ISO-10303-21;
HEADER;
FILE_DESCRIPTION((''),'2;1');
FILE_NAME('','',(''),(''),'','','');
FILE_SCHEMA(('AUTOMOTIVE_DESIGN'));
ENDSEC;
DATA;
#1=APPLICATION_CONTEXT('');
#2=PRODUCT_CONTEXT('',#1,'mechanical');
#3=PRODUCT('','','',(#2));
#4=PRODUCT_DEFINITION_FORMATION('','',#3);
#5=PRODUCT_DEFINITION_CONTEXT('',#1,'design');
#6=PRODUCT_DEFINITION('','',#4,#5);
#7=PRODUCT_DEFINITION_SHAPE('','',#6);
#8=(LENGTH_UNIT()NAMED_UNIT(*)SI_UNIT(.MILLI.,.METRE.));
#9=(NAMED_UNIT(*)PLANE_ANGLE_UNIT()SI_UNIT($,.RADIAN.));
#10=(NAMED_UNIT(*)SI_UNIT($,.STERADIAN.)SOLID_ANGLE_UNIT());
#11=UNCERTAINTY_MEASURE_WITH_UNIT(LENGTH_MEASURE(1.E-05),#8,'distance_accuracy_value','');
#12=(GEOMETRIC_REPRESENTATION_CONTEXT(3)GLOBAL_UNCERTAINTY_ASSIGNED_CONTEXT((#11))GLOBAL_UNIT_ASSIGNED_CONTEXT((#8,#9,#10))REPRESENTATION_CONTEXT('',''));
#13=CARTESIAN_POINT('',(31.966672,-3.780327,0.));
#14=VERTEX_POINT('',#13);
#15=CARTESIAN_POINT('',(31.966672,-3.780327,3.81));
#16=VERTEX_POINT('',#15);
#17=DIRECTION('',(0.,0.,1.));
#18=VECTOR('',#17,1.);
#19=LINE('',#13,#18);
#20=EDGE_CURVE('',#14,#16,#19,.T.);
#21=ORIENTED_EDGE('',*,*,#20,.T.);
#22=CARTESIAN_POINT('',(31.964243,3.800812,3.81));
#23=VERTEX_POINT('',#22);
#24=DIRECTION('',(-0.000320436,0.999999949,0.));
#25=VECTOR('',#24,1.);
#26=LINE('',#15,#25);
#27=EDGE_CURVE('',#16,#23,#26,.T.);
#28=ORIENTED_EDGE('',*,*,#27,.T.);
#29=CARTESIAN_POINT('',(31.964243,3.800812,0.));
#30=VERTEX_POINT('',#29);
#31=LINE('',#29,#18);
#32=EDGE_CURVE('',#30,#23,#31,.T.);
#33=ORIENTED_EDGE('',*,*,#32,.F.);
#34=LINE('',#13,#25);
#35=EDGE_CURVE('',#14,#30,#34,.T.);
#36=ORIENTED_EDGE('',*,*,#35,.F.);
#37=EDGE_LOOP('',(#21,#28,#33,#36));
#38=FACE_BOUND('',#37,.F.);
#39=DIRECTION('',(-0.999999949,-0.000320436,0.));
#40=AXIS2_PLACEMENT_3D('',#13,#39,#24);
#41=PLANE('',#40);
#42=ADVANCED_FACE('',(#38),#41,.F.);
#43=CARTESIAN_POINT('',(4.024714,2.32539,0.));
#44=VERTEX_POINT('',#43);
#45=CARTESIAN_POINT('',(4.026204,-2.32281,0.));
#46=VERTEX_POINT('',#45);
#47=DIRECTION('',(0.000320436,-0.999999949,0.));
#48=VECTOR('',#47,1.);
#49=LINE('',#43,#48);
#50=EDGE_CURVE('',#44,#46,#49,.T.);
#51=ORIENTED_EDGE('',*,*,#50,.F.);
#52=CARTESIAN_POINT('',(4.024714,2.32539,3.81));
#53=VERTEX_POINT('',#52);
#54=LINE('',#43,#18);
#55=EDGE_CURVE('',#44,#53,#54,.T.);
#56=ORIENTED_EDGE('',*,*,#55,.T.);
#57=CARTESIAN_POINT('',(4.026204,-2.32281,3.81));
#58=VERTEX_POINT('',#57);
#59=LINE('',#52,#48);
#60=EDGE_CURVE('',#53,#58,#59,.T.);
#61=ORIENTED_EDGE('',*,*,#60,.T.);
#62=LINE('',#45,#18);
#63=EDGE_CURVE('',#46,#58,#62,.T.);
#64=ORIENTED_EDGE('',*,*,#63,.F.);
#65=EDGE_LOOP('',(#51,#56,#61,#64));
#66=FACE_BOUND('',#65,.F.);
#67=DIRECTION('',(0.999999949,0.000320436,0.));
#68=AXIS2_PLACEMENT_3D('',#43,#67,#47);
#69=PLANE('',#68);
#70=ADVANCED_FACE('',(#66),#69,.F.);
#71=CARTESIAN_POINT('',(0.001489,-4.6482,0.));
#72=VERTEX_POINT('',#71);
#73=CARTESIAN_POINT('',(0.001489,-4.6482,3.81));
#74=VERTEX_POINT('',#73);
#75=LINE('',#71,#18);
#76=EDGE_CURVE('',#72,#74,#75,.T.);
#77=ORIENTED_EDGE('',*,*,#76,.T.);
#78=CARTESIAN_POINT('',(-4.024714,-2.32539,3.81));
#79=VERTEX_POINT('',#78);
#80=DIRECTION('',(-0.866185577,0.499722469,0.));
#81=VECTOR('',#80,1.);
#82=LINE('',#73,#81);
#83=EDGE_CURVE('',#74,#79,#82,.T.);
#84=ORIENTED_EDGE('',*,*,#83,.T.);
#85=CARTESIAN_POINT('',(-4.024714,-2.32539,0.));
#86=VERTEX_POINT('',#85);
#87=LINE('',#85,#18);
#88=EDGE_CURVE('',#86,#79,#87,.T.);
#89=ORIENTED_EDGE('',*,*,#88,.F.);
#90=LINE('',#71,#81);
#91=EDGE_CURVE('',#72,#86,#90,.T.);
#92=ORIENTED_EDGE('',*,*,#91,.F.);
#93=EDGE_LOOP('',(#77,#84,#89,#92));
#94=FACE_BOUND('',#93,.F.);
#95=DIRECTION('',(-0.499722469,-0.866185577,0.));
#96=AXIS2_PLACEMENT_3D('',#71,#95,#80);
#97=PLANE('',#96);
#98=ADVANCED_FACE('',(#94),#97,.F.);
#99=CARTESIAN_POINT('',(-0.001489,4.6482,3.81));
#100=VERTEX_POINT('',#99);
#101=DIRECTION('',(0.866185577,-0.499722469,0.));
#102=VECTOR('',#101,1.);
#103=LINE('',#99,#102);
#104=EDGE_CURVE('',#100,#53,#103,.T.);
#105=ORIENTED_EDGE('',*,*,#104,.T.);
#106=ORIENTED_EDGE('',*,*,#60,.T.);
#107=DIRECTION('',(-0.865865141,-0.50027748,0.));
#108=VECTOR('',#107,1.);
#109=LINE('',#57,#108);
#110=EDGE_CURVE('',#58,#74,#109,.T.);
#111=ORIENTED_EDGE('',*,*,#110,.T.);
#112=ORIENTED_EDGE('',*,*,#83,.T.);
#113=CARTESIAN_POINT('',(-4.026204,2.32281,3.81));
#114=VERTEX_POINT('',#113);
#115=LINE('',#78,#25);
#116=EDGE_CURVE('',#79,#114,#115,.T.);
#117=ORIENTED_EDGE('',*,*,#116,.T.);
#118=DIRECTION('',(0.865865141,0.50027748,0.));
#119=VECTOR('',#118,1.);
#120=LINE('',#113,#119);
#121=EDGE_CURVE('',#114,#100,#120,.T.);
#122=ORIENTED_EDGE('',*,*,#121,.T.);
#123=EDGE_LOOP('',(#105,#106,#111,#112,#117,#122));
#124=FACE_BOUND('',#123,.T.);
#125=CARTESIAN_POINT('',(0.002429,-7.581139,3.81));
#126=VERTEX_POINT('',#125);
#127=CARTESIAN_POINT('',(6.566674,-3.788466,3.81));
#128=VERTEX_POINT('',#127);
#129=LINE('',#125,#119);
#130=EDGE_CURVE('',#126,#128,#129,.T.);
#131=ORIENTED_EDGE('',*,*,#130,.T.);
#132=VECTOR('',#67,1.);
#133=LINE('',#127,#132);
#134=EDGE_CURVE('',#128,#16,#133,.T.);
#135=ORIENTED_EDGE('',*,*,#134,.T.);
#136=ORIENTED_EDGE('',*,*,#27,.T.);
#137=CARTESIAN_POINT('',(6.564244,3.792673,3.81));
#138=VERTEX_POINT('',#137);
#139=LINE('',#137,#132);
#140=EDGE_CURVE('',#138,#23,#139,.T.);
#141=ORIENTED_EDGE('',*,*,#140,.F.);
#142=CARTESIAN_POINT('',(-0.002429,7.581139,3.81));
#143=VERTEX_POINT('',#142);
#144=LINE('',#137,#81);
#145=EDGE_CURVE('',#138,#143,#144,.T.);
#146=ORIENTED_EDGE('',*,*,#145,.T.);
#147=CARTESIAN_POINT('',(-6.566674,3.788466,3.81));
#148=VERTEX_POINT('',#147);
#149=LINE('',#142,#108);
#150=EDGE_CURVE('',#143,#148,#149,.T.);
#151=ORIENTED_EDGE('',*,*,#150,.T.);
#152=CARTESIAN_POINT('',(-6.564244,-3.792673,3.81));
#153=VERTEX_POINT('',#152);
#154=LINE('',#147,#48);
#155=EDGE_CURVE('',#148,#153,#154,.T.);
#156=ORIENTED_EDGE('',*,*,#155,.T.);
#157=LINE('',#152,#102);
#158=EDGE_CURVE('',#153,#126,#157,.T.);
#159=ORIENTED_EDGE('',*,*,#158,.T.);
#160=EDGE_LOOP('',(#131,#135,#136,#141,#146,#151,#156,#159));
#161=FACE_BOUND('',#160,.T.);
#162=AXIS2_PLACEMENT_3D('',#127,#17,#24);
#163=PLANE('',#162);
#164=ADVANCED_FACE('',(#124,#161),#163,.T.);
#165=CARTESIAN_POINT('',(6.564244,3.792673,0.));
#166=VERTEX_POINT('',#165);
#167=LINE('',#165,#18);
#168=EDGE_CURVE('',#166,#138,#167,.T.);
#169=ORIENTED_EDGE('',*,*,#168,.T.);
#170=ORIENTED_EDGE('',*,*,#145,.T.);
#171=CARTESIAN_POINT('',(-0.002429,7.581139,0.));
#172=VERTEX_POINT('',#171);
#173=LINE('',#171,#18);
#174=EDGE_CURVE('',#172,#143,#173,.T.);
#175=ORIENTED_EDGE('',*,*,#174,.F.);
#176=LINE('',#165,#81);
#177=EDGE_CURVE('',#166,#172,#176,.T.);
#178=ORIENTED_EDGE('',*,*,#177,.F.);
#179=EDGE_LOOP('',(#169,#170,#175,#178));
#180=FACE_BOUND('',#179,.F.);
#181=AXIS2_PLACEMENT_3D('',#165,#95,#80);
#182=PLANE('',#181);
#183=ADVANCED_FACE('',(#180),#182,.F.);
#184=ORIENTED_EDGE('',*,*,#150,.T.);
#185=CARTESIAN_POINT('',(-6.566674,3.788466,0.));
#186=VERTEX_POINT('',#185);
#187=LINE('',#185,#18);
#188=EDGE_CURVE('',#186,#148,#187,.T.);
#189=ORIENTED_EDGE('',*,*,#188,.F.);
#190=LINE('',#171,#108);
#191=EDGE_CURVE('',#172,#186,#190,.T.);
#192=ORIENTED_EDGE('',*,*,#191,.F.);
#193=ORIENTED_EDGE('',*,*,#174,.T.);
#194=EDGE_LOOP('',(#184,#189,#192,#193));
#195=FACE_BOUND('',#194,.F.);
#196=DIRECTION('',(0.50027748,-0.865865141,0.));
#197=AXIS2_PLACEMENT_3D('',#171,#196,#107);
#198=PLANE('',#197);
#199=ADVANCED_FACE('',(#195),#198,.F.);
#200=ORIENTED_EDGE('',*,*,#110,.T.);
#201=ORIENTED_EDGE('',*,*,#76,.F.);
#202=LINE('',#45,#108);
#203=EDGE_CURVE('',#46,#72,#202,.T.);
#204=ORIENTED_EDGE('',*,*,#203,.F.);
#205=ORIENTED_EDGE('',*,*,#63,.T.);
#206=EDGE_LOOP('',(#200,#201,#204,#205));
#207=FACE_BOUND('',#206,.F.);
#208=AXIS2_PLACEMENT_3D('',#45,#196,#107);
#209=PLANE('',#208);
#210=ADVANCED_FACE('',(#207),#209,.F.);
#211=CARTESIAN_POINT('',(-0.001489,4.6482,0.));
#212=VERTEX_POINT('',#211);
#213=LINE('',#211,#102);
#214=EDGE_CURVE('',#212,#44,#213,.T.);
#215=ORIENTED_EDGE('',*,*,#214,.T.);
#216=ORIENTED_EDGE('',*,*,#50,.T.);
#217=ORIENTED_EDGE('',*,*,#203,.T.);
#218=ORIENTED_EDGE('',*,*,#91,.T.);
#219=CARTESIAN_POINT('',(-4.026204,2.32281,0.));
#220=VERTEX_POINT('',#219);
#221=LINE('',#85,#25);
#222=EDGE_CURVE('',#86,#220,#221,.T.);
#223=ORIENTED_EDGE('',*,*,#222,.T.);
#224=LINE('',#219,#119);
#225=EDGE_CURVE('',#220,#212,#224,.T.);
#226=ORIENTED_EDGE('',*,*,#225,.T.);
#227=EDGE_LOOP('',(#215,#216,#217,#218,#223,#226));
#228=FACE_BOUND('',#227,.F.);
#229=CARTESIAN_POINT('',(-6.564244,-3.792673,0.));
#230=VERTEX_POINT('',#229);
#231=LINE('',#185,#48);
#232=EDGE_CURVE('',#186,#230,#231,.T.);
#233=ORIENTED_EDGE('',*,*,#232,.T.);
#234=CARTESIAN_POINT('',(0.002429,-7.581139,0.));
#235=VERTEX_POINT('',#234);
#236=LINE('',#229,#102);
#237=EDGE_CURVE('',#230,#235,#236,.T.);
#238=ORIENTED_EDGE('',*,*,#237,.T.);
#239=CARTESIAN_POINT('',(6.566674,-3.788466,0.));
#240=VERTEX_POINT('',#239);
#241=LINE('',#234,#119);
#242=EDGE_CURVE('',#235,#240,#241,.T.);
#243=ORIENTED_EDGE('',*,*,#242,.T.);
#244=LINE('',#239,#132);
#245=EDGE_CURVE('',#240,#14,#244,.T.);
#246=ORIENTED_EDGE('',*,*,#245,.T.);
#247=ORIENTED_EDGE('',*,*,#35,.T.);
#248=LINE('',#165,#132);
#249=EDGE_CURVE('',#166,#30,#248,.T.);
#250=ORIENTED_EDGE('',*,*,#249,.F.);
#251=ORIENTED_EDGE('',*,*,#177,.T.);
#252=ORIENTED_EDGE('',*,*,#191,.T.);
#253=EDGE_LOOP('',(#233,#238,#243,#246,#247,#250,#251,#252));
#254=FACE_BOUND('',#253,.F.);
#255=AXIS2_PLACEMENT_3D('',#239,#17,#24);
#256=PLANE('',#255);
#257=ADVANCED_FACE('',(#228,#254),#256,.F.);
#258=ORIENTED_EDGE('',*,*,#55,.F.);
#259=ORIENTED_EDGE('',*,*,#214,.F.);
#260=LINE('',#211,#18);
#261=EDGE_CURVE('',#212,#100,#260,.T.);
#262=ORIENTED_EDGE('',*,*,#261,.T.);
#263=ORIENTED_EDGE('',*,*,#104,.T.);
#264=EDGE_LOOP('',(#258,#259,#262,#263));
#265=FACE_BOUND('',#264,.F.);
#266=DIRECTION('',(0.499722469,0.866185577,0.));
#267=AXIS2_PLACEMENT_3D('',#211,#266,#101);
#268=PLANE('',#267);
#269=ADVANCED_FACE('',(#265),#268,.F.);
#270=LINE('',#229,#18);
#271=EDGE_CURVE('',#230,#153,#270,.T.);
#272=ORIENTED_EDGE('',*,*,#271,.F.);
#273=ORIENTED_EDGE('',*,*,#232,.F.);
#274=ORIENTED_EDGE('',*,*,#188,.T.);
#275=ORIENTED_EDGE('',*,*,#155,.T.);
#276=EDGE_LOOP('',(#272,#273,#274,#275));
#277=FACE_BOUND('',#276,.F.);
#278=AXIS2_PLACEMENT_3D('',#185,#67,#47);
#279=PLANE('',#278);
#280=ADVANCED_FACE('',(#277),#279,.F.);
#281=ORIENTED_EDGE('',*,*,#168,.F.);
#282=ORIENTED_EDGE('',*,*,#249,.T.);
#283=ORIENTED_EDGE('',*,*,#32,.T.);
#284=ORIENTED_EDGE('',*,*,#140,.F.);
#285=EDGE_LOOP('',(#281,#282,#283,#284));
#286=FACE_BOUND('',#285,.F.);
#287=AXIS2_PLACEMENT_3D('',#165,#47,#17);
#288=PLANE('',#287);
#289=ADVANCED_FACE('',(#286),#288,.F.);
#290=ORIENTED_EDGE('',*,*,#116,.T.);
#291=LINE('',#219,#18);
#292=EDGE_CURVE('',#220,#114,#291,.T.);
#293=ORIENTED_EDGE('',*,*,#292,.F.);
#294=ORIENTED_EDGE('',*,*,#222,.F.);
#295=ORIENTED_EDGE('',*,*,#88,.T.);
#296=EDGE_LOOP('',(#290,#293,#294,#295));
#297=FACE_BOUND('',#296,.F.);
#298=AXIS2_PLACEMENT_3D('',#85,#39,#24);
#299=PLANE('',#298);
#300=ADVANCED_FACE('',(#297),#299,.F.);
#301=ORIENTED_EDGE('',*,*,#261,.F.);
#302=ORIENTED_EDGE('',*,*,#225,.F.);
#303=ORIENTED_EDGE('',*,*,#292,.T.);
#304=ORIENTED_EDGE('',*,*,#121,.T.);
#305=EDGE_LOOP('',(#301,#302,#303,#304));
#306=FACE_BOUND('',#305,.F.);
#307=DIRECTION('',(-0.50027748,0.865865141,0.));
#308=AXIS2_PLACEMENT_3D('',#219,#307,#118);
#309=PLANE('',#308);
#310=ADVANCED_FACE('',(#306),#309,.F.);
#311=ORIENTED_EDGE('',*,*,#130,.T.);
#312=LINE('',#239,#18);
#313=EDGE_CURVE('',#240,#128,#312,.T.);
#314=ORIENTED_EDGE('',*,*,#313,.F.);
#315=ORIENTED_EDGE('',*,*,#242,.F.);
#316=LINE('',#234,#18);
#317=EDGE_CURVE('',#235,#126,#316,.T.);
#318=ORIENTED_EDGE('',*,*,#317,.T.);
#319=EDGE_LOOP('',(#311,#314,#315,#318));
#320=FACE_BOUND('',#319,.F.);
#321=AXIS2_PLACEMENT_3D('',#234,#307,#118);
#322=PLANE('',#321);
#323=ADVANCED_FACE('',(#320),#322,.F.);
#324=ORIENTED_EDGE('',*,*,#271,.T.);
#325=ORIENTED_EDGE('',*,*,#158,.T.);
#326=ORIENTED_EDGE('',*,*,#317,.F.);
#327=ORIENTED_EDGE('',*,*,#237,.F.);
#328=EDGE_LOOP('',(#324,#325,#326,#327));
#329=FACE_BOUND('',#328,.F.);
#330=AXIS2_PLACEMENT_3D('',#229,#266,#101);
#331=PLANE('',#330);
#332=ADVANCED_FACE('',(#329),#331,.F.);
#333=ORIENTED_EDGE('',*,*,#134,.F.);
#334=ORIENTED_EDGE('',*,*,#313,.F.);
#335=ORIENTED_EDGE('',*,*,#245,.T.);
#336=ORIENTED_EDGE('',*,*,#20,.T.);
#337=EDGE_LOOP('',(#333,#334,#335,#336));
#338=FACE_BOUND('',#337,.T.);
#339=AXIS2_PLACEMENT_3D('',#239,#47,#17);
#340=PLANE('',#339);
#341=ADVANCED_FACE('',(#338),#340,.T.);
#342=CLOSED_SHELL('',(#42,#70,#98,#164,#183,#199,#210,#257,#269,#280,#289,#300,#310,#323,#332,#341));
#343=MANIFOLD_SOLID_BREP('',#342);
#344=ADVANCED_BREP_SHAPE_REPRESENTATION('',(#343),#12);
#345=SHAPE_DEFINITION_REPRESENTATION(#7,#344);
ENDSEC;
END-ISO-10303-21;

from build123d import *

# Parameters (mm, degrees)
F1_DEPTH = 3.81
F2_DEPTH = 25.4


with BuildPart() as f1:
    # F0 (on Top) → F1 (new body)
    with BuildSketch(Plane.XY):
        Polygon((6.5642443103, 3.7926732977), (-0.0024292689, 7.5811389783), (-6.5666735793, 3.7884656805), (-6.5642443103, -3.7926732977), (0.0024292689, -7.5811389783), (6.5666735793, -3.7884656805), align=None)
        Polygon((-4.0262038002, 2.3228099792), (-0.00148945, 4.6481997614), (4.0247143502, 2.3253897822), (4.0262038002, -2.3228099792), (0.00148945, -4.6481997614), (-4.0247143502, -2.3253897822), align=None, mode=Mode.SUBTRACT)
    extrude(amount=F1_DEPTH)

    # F2 (add): a face of the model
    f2_faces = [f1.faces().sort_by_distance(p)[0] for p in [
        (6.5654589448, 0.0021038086, 1.905),
    ]]
    extrude(f2_faces, amount=F2_DEPTH)


solid = f1.part
